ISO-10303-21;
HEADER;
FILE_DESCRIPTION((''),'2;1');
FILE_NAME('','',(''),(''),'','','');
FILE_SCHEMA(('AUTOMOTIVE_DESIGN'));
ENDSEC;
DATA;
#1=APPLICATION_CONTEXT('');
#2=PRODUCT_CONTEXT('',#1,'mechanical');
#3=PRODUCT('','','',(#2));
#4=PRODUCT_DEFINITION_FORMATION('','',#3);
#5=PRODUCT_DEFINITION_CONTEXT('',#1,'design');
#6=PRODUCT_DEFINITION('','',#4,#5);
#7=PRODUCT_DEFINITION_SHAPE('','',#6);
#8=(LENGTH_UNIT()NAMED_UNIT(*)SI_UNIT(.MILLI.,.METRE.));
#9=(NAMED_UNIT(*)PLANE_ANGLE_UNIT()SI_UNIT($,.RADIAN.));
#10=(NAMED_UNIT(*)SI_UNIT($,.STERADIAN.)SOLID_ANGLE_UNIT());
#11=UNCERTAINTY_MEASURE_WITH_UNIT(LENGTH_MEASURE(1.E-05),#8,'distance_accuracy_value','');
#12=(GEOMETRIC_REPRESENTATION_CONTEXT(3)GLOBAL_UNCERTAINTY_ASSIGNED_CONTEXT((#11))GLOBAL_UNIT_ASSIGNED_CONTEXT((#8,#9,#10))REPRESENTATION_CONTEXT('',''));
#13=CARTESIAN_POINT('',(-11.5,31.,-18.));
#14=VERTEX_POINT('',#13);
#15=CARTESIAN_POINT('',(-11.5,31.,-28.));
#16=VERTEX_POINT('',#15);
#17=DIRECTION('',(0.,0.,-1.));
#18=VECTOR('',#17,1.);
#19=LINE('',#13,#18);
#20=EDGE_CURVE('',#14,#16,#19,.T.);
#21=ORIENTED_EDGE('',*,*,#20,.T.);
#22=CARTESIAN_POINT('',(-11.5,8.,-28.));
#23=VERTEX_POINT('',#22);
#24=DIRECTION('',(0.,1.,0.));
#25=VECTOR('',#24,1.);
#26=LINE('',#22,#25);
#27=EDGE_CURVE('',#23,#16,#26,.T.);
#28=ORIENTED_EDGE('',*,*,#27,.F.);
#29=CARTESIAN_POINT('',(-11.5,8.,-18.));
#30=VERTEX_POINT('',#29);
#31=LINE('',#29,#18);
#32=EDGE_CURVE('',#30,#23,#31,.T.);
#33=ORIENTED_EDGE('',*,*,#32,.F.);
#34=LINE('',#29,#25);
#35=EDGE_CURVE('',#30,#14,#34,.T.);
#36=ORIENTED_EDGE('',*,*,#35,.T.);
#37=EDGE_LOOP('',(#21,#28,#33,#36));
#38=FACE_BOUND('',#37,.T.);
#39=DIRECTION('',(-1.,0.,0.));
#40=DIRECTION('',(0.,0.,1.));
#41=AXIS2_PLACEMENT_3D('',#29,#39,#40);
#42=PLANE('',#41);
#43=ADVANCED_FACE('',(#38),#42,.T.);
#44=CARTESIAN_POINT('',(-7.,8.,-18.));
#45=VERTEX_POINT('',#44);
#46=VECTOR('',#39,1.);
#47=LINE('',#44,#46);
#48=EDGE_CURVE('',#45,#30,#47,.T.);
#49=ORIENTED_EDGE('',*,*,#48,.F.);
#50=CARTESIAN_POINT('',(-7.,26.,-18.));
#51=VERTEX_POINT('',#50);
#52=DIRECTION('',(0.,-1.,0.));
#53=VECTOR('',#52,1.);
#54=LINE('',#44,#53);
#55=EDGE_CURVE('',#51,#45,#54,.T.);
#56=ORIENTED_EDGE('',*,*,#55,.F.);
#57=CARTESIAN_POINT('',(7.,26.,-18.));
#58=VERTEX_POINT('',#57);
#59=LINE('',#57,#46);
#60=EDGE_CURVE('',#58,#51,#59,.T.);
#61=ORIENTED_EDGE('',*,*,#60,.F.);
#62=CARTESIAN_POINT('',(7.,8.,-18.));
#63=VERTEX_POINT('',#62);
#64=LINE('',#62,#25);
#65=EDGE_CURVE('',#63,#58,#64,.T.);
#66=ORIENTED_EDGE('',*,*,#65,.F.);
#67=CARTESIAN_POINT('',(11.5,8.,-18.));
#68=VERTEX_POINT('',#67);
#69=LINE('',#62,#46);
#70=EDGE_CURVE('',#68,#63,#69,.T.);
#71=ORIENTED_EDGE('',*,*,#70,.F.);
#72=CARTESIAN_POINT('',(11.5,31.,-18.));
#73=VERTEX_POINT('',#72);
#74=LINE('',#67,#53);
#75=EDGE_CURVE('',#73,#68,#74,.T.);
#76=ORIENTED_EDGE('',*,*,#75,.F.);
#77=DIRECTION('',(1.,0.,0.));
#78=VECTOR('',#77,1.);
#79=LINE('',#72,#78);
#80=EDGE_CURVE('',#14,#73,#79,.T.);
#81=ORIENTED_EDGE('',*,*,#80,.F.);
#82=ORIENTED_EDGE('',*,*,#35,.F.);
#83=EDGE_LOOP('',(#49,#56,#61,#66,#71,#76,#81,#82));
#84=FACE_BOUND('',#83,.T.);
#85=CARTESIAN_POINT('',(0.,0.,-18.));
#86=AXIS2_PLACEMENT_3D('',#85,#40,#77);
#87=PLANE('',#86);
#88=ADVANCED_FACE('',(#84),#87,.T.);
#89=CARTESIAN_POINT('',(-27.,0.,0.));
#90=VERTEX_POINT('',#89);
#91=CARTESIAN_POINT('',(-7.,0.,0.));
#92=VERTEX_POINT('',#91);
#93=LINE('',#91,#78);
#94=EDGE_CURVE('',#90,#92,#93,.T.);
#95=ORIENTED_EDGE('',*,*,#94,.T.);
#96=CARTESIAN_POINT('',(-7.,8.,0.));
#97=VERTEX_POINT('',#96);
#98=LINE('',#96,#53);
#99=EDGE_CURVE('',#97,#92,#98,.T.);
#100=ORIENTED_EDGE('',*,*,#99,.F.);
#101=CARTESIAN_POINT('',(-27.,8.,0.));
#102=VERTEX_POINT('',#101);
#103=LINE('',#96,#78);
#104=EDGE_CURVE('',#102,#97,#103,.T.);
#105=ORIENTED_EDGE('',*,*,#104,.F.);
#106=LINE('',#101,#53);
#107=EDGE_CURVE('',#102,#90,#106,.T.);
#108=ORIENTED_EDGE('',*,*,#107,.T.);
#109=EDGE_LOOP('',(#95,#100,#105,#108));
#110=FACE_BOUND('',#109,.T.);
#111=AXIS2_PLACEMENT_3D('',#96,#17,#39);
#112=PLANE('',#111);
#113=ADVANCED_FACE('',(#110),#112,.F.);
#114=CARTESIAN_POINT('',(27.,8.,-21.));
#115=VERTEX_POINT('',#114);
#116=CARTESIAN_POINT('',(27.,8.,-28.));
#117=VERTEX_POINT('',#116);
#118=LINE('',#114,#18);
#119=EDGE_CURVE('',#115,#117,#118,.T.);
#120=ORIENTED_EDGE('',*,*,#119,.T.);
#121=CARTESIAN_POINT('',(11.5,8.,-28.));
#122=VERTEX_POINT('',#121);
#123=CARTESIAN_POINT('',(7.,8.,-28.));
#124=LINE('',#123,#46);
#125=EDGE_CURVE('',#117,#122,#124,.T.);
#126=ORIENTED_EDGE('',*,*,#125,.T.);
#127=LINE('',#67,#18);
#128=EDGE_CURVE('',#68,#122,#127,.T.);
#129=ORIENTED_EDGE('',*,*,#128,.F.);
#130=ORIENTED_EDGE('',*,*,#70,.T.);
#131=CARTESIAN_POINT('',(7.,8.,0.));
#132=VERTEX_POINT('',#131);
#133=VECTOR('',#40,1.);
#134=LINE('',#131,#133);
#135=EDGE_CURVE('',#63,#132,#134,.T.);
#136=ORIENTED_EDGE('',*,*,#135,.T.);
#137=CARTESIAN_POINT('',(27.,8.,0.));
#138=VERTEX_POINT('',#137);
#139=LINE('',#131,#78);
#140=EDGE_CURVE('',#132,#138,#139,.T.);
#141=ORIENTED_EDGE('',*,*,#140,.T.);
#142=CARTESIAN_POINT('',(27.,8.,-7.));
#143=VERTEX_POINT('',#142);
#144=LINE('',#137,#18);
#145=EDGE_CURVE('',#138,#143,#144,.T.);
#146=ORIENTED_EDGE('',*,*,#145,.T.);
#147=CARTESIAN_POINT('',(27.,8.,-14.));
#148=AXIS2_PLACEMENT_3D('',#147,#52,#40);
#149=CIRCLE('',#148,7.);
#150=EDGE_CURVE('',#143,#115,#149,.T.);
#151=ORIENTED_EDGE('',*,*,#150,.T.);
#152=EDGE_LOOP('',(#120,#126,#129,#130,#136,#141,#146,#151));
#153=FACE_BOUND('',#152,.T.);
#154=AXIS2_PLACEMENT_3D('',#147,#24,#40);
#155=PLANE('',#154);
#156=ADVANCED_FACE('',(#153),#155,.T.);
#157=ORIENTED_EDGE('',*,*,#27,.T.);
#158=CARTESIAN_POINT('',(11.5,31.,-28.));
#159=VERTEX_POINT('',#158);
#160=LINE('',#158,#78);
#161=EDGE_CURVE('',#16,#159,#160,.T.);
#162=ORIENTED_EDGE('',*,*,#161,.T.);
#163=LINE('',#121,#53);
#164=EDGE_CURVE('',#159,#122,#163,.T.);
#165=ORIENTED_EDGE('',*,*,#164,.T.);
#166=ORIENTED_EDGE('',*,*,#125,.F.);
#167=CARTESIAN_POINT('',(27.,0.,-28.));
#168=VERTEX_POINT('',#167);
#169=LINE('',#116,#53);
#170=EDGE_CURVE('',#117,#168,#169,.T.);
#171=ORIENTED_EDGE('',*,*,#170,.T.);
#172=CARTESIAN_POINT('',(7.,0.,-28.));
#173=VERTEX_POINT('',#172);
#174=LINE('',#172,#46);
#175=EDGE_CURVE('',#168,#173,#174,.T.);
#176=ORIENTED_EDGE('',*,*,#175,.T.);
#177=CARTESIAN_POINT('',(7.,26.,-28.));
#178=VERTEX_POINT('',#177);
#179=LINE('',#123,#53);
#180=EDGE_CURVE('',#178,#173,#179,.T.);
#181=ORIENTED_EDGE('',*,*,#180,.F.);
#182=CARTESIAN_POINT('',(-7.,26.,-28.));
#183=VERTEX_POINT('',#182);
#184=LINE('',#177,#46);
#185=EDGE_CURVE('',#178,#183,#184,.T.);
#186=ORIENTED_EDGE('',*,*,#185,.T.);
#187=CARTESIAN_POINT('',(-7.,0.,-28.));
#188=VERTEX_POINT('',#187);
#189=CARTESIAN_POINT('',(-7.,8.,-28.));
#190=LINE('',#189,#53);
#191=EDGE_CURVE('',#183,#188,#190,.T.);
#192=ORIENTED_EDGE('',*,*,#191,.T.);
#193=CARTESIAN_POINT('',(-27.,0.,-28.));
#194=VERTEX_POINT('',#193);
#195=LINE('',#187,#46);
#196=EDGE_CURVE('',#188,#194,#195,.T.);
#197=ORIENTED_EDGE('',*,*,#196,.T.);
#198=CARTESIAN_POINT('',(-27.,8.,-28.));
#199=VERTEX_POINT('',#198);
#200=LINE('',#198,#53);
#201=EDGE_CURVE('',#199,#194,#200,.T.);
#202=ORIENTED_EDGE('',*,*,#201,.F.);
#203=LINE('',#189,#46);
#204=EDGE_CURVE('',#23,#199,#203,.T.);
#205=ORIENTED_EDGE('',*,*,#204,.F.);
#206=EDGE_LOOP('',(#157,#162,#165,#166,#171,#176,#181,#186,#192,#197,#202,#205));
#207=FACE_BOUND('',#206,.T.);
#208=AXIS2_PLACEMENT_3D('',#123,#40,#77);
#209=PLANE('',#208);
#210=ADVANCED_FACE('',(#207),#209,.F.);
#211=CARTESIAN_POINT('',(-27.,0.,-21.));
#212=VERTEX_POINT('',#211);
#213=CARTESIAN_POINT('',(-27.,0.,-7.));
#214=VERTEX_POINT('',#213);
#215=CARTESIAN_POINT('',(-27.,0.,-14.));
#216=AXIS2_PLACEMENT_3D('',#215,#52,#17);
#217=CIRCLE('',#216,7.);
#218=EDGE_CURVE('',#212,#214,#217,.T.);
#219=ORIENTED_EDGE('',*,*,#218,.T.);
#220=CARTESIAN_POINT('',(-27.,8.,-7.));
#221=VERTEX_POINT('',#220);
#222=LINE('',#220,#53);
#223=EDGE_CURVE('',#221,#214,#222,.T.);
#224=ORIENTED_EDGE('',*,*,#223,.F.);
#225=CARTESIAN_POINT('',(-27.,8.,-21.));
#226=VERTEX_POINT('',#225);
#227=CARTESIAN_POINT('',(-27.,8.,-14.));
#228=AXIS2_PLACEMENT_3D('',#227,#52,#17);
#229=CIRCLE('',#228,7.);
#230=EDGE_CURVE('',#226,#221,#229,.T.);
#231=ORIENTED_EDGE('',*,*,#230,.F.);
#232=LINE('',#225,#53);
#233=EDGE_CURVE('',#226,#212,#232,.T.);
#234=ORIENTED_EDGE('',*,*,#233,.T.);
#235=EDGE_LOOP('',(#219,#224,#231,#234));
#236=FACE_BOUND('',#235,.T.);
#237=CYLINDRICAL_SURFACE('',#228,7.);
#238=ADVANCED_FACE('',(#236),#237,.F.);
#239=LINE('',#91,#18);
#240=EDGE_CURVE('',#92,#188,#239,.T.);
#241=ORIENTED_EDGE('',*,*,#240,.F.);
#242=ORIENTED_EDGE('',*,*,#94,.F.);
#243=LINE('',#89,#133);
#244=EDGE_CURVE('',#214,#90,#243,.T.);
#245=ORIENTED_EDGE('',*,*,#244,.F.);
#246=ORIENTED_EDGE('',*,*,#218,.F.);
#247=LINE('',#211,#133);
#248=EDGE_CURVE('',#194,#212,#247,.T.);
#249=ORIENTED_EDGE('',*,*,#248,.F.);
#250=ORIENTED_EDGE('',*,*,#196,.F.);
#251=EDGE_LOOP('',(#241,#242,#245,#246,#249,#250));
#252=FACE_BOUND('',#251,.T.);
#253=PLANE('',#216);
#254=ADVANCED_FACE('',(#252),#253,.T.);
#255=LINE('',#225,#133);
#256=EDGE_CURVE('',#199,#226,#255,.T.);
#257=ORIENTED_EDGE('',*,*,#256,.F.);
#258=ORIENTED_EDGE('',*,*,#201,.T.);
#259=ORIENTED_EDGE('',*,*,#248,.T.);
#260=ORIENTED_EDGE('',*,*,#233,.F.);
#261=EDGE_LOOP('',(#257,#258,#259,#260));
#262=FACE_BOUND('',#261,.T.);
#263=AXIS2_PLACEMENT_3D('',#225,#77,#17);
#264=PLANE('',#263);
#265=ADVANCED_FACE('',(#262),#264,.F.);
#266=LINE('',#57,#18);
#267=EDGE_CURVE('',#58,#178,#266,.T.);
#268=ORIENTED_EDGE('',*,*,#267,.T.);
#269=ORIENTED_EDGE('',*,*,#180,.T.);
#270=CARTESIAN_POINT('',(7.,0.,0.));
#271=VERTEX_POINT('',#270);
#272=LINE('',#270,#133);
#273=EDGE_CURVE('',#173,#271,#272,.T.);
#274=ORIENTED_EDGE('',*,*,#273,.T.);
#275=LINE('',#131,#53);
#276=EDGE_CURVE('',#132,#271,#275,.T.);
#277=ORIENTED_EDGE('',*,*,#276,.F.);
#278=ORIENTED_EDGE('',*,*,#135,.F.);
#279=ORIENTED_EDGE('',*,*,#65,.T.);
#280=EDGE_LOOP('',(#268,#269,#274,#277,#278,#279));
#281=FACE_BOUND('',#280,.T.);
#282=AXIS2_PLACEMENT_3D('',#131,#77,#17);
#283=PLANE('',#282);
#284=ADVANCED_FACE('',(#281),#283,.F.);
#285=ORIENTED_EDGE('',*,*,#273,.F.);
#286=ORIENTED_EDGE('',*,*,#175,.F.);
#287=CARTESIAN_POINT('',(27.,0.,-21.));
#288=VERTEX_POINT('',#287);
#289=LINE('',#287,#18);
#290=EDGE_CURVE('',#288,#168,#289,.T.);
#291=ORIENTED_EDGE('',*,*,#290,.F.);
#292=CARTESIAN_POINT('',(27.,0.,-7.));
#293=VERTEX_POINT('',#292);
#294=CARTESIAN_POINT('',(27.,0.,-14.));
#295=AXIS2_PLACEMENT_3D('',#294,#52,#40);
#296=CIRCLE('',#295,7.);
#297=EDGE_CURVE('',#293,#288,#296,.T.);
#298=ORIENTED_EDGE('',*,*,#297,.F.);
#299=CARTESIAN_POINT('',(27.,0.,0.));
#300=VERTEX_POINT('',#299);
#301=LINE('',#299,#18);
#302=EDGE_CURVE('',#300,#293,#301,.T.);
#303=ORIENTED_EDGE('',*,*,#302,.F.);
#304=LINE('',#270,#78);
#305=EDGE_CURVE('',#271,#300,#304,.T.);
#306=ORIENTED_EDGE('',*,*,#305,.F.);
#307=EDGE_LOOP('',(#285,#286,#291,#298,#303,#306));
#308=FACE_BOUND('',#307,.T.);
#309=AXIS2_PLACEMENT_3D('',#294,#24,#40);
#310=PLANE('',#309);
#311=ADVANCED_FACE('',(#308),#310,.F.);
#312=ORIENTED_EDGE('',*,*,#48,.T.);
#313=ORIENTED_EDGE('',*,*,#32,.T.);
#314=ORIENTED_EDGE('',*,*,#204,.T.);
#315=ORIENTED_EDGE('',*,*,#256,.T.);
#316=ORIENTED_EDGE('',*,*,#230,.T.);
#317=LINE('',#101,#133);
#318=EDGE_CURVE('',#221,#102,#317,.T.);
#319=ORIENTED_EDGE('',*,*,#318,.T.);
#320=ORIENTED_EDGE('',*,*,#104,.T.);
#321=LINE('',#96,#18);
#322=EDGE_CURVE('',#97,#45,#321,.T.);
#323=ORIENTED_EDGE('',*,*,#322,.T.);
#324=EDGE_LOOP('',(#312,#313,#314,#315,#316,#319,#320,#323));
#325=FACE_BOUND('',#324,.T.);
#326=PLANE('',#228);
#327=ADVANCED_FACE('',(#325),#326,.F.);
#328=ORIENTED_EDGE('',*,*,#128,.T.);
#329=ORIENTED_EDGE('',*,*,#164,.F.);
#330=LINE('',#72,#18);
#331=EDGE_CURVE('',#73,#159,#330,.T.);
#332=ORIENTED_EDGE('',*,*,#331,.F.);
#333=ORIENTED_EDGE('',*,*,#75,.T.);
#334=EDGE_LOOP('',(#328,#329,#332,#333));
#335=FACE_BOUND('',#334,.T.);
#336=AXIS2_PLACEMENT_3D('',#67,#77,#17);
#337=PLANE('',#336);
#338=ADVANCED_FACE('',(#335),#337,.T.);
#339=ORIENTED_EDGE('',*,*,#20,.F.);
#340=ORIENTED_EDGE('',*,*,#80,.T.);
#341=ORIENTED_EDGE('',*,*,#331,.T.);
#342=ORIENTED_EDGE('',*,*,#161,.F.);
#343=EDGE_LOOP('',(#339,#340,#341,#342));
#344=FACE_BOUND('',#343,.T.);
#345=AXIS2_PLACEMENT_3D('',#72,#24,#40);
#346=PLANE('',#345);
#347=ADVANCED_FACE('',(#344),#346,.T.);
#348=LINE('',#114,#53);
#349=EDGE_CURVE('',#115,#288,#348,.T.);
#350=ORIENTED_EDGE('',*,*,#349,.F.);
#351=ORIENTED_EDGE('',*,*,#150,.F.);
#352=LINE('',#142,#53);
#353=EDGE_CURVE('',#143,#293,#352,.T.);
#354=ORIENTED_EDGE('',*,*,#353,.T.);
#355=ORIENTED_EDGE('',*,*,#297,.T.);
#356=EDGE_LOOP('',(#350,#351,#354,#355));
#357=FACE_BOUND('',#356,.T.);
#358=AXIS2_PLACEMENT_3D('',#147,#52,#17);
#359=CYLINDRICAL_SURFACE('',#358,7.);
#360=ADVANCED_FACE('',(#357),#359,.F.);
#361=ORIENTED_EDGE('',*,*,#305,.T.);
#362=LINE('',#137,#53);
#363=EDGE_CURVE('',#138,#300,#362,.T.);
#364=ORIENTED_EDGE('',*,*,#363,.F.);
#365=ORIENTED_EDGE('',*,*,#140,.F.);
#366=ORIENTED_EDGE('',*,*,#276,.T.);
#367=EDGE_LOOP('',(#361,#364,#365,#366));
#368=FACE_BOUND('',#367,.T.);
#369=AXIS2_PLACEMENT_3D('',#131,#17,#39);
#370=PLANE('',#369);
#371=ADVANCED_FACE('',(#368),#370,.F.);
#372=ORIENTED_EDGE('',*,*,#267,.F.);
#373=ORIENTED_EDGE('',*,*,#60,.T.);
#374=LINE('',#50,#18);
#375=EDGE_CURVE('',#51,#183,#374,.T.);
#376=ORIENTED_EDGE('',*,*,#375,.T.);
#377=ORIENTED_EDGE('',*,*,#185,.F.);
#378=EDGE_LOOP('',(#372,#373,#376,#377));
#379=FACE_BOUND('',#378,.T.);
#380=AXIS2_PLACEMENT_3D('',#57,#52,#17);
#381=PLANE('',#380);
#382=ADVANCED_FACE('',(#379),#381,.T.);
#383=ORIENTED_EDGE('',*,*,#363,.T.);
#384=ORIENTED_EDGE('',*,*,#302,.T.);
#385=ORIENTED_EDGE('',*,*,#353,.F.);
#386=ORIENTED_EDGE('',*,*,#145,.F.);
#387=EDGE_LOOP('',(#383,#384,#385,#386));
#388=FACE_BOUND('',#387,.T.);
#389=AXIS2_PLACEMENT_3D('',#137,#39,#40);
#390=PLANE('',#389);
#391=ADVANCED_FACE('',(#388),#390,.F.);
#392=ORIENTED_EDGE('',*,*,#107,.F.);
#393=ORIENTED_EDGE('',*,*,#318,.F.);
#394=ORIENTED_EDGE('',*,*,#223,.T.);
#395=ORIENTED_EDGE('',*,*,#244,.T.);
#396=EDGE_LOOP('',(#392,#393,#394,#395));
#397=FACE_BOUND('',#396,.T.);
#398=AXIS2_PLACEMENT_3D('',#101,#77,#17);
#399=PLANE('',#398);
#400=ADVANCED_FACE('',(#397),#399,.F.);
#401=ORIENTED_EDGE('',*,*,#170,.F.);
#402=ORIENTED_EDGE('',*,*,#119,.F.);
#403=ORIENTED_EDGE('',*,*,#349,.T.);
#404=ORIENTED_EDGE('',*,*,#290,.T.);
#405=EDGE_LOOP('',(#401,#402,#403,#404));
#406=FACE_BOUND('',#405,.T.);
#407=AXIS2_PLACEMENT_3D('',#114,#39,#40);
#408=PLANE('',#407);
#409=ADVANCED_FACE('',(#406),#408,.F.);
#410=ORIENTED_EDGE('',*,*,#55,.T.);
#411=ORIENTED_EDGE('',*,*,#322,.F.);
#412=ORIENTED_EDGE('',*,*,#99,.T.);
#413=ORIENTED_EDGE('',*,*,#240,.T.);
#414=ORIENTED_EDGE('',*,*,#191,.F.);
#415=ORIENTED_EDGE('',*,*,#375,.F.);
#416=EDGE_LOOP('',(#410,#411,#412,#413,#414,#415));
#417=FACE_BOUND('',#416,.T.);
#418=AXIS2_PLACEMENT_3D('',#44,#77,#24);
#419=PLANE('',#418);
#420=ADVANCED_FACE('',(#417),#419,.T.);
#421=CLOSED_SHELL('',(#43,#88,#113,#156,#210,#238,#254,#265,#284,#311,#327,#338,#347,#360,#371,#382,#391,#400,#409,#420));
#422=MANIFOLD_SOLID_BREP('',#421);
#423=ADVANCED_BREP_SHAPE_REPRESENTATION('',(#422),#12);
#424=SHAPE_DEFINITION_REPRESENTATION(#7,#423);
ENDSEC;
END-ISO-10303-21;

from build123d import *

# Parameters (mm, degrees)
EXTRUDE_1_DEPTH   = 8
EXTRUDE_1_2_DEPTH = 8
EXTRUDE_2_DEPTH   = 10


with BuildPart() as part:
    # 草图1 → 凸台-拉伸1 (new body)
    with BuildSketch(Plane(origin=(0, 0, 0), x_dir=(1, 0, 0), z_dir=(0, 1, 0))):
        with BuildLine():
            Line((27, 21), (27, 28))
            Line((27, 28), (7, 28))
            Line((7, 28), (7, 0))
            Line((7, 0), (27, 0))
            Line((27, 0), (27, 7))
            ThreePointArc((27, 7), (20, 14), (27, 21))
        make_face()
    extrude(amount=EXTRUDE_1_DEPTH)



with BuildPart() as body_2:
    # 草图1 → Extrude 1 2 (new body)
    with BuildSketch(Plane(origin=(0, 0, 0), x_dir=(1, 0, 0), z_dir=(0, 1, 0))):
        with BuildLine():
            Line((-27, 0), (-27, 7))
            ThreePointArc((-27, 7), (-20, 14), (-27, 21))
            Line((-27, 21), (-27, 28))
            Line((-27, 28), (-7, 28))
            Line((-7, 28), (-7, 0))
            Line((-7, 0), (-27, 0))
        make_face()
    extrude(amount=EXTRUDE_1_2_DEPTH)


with BuildPart() as part_1:
    add(part.part)

    add(body_2.part)  # 凸台-拉伸2 merges body 2
    # 草图2 → 凸台-拉伸2 (add)
    with BuildSketch(Plane(origin=(0, 0, -28), x_dir=(-1, 0, 0), z_dir=(0, 0, -1))):
        Polygon((-11.5, 31), (11.5, 31), (11.5, 8), (7, 8), (7, 26), (-7, 26), (-7, 8), (-11.5, 8), align=None)
    extrude(amount=-EXTRUDE_2_DEPTH)


solid = part_1.part
